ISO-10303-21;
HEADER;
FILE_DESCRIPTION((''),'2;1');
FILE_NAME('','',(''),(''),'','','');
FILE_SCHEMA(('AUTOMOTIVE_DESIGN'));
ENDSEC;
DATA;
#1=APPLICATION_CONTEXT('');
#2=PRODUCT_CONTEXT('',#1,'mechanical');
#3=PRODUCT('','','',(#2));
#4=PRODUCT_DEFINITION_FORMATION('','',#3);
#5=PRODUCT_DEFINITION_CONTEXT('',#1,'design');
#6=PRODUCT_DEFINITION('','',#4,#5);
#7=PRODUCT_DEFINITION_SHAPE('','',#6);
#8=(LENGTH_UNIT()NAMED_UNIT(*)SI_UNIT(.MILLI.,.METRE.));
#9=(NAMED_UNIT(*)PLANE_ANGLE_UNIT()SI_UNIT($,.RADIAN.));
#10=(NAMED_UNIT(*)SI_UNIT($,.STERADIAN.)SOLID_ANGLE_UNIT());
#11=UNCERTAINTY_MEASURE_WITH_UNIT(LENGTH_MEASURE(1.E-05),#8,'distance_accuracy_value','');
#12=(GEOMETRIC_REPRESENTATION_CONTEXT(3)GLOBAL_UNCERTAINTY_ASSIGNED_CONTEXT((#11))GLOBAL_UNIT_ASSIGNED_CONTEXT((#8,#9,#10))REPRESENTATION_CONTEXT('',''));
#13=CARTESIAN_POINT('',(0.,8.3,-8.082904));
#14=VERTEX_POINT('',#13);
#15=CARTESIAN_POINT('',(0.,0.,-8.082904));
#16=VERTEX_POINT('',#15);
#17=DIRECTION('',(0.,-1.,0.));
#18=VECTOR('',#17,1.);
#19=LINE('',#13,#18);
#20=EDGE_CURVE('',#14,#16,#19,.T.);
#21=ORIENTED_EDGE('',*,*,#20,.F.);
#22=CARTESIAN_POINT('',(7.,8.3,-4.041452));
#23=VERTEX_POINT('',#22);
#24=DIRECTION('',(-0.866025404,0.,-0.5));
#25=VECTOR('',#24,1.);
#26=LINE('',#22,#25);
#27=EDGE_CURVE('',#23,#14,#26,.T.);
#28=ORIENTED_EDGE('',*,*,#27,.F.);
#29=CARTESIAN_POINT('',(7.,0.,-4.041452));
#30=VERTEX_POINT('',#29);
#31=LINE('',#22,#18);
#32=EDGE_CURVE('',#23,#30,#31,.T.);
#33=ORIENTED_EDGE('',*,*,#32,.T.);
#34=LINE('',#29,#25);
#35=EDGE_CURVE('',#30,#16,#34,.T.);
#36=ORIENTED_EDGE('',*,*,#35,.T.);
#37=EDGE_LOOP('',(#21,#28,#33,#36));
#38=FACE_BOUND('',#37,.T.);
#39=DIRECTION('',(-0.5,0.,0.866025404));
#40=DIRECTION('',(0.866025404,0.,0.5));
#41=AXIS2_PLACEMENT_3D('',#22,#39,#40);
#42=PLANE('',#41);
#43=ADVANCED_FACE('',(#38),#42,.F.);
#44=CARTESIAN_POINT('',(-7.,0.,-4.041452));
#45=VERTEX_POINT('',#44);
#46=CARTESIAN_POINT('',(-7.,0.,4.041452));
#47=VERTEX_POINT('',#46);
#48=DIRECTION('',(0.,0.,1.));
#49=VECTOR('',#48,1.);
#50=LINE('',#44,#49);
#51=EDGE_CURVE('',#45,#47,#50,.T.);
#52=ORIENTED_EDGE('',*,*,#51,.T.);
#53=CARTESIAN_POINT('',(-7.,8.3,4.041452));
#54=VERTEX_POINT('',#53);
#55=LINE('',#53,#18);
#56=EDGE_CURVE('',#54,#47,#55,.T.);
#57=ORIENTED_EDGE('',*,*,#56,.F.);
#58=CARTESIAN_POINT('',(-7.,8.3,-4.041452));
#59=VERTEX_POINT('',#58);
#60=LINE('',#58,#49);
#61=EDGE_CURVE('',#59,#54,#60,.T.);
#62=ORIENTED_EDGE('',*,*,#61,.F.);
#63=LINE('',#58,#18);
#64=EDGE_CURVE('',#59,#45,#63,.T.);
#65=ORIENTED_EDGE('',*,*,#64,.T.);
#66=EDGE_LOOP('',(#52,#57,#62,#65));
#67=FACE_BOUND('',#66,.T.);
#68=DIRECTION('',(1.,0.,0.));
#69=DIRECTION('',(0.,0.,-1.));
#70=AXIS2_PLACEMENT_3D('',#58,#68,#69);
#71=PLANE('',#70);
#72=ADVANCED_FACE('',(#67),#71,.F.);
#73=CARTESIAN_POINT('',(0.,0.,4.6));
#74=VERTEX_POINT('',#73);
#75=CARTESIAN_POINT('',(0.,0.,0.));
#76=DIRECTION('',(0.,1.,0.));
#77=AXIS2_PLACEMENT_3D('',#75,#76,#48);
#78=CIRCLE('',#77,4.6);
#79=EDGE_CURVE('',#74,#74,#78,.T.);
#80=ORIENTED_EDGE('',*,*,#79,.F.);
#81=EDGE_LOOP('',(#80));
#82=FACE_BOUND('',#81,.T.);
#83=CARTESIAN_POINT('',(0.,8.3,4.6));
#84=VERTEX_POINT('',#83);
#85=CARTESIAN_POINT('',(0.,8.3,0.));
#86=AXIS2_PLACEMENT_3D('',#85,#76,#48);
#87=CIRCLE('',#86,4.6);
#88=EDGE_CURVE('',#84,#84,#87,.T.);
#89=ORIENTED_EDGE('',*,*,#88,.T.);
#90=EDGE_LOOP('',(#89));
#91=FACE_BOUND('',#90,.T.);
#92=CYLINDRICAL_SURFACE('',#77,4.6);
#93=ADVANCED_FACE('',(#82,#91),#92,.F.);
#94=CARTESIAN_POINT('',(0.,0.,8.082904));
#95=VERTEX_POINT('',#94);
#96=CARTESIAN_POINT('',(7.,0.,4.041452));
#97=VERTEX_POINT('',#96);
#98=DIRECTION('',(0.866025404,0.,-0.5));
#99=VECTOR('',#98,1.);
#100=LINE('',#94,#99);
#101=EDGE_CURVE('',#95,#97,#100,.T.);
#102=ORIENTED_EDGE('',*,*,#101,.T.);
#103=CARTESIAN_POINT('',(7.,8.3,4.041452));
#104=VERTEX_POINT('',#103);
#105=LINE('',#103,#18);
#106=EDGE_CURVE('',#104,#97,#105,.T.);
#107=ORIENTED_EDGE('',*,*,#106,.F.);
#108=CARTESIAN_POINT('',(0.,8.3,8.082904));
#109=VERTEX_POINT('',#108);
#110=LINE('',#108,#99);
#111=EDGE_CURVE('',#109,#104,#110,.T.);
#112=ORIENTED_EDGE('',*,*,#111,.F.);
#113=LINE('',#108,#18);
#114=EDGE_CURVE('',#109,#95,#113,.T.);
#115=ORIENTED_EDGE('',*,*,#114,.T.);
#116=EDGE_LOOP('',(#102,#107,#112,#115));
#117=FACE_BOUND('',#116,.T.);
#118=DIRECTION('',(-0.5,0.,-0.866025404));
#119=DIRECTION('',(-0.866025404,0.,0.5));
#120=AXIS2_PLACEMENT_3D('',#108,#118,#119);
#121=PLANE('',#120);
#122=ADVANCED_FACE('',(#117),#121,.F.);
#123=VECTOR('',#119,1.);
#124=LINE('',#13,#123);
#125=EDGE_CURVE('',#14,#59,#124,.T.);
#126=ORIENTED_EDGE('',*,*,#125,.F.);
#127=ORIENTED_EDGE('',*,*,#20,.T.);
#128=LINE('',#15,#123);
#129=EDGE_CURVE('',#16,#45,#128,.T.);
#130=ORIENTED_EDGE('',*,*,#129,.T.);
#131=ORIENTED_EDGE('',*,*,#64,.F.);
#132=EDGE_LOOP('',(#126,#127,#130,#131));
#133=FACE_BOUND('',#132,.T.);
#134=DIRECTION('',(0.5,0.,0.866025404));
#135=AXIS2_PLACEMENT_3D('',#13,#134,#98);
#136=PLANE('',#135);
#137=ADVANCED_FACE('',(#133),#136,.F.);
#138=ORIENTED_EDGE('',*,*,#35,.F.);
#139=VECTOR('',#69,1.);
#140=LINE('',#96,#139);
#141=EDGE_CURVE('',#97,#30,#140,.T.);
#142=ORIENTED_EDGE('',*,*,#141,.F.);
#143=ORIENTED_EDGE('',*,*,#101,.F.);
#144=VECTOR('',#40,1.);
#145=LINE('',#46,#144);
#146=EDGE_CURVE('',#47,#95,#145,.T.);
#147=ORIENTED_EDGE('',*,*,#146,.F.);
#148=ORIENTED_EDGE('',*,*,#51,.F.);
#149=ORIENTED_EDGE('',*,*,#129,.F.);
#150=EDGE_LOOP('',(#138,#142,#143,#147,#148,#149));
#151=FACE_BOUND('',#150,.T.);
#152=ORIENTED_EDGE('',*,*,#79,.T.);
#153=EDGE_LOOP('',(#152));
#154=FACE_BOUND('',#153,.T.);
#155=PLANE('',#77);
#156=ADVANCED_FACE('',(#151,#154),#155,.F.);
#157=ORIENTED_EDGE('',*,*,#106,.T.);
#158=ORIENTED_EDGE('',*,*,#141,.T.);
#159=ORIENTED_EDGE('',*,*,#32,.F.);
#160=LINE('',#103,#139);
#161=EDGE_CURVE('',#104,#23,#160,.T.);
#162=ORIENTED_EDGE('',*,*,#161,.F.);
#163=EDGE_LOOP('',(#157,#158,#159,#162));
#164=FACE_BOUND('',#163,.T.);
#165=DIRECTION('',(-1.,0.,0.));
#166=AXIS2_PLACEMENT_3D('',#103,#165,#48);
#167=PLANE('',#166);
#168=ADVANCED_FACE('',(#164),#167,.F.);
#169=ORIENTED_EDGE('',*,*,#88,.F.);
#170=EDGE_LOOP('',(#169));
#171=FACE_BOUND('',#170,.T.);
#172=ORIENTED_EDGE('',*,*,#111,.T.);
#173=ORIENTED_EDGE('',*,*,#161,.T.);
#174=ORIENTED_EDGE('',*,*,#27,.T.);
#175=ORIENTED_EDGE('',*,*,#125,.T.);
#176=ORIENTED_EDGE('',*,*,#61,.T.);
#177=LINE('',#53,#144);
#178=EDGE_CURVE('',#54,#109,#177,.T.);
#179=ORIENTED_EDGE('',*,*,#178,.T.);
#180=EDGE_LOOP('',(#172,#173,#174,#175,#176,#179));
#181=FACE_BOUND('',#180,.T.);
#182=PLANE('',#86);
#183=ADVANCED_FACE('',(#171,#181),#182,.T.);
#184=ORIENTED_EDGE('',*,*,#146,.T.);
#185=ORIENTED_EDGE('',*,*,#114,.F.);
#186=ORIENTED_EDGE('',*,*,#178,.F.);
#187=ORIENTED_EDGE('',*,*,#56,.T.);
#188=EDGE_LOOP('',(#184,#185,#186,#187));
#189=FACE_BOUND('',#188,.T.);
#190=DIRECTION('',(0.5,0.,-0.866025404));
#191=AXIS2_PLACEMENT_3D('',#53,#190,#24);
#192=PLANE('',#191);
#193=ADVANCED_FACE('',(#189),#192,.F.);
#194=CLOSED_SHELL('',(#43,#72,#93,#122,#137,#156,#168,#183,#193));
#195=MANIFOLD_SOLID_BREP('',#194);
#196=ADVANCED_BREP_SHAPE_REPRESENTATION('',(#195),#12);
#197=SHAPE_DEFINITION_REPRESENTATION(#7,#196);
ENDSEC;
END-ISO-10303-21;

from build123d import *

# Parameters (mm, degrees)
BOSS_EXTRUDE1_DEPTH = 8.3
SKETCH2_R           = 4.6
CUT_EXTRUDE1_DEPTH  = 9.3


with BuildPart() as part:
    # Sketch1 → Boss-Extrude1 (new body)
    with BuildSketch(Plane(origin=(0, 0, 0), x_dir=(1, 0, 0), z_dir=(0, 1, 0))):
        Polygon((0, 8.082903769), (-7, 4.041451884), (-7, -4.041451884), (0, -8.082903769), (7, -4.041451884), (7, 4.041451884), align=None)
    extrude(amount=BOSS_EXTRUDE1_DEPTH)

    # Sketch2 → Cut-Extrude1 (cut, through all)
    with BuildSketch(Plane(origin=(0, 8.3, 0), x_dir=(1, 0, 0), z_dir=(0, 1, 0))):
        Circle(SKETCH2_R)
    extrude(amount=-CUT_EXTRUDE1_DEPTH, mode=Mode.SUBTRACT)


solid = part.part
